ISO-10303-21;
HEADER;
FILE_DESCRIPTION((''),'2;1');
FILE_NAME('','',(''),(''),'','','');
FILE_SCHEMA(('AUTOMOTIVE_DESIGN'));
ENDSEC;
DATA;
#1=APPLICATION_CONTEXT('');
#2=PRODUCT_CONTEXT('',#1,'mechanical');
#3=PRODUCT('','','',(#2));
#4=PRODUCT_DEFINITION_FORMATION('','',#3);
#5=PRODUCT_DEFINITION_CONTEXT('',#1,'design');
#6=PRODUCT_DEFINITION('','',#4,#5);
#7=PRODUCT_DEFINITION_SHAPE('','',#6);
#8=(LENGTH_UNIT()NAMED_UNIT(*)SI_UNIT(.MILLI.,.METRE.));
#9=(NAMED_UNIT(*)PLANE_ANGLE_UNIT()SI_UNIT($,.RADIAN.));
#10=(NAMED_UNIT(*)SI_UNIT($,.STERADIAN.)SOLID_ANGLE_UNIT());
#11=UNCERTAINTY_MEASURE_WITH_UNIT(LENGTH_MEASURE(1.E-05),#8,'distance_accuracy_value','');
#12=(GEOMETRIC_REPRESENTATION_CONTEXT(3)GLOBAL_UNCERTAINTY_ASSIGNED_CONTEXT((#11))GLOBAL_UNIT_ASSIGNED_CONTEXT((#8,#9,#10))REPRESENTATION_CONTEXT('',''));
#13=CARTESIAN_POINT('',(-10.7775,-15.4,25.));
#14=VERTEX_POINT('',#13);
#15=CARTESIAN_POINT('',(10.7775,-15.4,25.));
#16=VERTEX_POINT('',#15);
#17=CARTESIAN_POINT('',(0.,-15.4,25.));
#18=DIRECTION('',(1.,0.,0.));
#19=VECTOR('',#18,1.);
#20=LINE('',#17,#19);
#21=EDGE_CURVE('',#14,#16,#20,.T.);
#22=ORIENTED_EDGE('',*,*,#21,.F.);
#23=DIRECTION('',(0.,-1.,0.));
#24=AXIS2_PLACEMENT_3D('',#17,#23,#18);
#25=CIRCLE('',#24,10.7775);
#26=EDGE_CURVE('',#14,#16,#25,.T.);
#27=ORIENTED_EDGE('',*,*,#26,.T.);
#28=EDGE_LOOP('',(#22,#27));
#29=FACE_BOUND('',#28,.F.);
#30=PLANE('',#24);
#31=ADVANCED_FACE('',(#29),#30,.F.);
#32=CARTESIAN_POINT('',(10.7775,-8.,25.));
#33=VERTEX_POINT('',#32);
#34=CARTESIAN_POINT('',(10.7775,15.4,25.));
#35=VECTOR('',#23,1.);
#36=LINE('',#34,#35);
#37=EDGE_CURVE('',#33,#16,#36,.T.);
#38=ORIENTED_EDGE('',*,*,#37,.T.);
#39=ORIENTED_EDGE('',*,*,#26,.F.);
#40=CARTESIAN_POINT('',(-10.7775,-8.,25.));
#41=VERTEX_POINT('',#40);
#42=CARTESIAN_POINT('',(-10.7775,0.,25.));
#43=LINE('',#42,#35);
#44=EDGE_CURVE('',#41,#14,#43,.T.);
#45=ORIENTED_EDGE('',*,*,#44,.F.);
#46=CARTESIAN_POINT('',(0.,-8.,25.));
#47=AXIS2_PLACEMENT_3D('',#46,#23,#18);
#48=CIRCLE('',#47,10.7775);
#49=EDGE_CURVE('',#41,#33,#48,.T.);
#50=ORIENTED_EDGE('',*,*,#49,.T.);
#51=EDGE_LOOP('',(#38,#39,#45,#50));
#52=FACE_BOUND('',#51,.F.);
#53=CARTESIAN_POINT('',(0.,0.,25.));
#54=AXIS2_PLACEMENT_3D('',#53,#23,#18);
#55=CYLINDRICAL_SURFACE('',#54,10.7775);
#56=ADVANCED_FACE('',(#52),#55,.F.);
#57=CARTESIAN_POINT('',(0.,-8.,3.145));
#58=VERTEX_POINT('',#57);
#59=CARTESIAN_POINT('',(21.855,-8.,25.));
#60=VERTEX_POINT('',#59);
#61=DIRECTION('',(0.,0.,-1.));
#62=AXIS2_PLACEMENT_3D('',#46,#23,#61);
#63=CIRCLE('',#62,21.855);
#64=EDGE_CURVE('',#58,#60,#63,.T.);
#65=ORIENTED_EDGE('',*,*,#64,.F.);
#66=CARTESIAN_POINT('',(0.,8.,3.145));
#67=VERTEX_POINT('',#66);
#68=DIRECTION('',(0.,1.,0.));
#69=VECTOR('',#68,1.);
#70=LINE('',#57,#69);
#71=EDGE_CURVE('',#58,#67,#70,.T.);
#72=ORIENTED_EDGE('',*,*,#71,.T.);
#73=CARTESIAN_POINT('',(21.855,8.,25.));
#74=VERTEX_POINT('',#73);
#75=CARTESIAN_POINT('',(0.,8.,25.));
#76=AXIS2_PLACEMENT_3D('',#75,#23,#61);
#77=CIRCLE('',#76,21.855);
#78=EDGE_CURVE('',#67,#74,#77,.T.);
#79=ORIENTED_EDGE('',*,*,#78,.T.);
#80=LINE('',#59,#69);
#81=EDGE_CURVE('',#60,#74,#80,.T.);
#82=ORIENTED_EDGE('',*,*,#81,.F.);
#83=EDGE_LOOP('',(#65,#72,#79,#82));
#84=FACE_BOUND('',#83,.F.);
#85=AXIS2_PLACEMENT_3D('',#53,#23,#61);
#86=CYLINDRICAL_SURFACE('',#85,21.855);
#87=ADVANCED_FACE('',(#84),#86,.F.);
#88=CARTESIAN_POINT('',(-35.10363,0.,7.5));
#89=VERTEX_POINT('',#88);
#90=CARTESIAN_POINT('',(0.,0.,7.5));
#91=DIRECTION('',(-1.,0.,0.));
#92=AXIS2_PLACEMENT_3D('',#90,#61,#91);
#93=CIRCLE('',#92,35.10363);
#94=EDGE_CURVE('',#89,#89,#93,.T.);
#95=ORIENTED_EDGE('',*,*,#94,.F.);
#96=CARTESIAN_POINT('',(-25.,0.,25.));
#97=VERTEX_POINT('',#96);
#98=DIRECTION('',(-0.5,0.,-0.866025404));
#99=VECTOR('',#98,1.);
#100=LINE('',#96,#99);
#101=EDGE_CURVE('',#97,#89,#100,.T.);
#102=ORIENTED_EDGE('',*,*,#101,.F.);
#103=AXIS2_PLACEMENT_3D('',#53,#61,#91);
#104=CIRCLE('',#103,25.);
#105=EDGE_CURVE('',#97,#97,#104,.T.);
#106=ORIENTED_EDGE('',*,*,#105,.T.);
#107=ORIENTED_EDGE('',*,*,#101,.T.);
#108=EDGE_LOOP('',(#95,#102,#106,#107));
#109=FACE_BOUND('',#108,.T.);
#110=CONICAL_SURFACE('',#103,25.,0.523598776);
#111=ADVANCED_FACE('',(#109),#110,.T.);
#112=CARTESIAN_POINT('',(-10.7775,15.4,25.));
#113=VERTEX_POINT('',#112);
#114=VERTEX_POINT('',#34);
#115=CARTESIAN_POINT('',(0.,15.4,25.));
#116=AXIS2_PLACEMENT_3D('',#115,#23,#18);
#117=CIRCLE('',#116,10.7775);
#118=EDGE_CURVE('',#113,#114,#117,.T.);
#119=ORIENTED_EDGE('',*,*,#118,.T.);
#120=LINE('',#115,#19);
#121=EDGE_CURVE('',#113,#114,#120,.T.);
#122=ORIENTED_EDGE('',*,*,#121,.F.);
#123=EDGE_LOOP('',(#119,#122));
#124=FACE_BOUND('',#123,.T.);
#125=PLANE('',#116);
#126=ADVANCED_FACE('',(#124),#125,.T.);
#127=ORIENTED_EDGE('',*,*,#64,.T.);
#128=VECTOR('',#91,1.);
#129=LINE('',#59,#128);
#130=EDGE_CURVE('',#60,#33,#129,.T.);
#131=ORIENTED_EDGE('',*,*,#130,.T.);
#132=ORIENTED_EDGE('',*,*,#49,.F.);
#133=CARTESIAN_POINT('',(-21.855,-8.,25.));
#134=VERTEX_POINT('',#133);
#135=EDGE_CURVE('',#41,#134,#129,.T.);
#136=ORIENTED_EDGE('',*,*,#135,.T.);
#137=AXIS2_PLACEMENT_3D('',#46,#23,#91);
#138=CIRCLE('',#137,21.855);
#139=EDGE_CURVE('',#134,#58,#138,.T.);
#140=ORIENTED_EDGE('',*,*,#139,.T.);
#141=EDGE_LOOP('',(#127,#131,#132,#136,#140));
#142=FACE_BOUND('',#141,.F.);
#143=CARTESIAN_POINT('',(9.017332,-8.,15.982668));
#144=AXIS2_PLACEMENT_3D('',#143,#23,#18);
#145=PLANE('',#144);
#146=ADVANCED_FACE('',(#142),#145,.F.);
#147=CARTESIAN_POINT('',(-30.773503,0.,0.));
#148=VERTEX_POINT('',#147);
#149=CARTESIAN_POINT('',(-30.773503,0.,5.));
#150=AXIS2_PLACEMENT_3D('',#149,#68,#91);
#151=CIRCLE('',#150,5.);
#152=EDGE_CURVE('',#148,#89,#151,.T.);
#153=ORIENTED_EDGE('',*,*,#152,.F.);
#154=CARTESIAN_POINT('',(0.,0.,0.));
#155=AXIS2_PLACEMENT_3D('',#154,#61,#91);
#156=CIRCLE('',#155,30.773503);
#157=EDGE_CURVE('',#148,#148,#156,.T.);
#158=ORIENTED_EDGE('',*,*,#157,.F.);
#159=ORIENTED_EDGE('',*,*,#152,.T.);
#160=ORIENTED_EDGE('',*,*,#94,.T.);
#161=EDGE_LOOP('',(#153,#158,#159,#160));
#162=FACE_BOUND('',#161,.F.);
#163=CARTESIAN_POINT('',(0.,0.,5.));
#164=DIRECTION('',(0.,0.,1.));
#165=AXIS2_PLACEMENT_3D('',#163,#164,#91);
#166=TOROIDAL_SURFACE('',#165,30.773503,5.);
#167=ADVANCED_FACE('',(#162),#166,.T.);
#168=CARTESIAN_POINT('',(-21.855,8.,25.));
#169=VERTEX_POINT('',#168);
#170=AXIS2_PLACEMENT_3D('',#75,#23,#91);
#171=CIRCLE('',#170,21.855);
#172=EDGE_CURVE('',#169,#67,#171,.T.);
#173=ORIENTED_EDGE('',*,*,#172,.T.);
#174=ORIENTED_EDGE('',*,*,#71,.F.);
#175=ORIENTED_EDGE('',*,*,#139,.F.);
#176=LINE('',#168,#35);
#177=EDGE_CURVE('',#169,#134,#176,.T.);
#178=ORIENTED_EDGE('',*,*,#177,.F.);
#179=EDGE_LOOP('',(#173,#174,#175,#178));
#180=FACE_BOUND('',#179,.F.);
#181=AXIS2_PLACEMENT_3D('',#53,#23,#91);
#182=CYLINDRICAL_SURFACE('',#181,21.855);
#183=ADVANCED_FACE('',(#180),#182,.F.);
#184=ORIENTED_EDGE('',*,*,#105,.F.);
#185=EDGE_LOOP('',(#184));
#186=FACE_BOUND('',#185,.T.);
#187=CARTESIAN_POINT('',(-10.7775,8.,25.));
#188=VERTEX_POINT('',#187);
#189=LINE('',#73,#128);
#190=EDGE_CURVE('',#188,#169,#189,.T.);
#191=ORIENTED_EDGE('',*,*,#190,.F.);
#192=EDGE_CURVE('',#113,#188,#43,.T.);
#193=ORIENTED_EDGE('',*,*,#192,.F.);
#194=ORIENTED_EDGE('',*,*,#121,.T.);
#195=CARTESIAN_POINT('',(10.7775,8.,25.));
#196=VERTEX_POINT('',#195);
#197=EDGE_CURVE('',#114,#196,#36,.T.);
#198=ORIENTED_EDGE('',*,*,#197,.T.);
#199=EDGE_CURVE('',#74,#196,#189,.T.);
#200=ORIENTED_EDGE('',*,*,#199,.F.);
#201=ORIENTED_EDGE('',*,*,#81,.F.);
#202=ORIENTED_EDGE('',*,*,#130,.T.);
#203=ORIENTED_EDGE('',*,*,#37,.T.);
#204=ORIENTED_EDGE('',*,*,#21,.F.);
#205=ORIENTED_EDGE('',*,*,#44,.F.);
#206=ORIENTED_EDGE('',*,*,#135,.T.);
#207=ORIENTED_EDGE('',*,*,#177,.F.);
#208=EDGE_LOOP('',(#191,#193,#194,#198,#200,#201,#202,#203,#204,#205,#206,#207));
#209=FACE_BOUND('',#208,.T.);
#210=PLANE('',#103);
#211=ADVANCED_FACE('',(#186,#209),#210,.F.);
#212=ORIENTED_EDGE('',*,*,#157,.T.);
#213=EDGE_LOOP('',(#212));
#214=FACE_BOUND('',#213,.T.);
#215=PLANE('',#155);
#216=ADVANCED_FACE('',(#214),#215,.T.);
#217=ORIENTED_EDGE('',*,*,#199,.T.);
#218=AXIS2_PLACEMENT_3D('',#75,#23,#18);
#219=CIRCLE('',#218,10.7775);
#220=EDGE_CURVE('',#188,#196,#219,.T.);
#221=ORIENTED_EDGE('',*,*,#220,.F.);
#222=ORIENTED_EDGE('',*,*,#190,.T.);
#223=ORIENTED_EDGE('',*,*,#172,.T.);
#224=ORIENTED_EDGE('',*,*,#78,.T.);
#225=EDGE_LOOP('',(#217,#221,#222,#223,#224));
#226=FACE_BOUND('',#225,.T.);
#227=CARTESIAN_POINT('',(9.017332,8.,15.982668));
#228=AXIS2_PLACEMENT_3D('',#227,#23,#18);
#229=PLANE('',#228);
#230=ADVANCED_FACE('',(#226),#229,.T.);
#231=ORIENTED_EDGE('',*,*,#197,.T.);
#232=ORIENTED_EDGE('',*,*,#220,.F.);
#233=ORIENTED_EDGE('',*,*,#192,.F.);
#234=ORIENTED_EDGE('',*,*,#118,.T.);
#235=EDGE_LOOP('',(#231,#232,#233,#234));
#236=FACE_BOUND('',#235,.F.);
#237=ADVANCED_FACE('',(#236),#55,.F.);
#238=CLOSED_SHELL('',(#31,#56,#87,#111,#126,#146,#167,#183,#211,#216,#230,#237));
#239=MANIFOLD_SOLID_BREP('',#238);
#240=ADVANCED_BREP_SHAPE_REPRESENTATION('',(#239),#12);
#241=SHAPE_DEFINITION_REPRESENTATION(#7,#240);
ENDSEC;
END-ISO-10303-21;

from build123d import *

# Parameters (mm, degrees)
F4_DEPTH = 8
F5_R     = 5
F6_R     = 10.7775
F7_DEPTH = 15.4


with BuildPart() as f2:
    # F1 (on Front) → F2 (revolve)
    with BuildSketch(Plane.XZ):
        Polygon((-39.4337567297, 0), (0, 0), (0, 25), (-25, 25), align=None)
    revolve(axis=Axis((0, 0, 12.5), (0, 0, -1)))

    # F3 (on Front) → F4 (cut, symmetric)
    with BuildSketch(Plane.XZ):
        with BuildLine():
            Line((21.855, 25), (0, 25))
            Line((0, 25), (0, 3.145))
            ThreePointArc((0, 3.145), (15.4538187028, 9.5461812972), (21.855, 25))
        make_face()
        with BuildLine():
            Line((0, 3.145), (0, 25))
            Line((0, 25), (-21.855, 25))
            ThreePointArc((-21.855, 25), (-15.4538187028, 9.5461812972), (0, 3.145))
        make_face()
    extrude(amount=F4_DEPTH, both=True, mode=Mode.SUBTRACT)

    # F5
    f5_edges = [f2.edges().sort_by_distance(p)[0] for p in [
        (39.433757, 0, 0),
    ]]
    fillet(f5_edges, radius=F5_R)

    # F6 (on Front) → F7 (cut, symmetric)
    with BuildSketch(Plane.XZ):
        with Locations((0, 25)):
            Circle(F6_R)
    extrude(amount=F7_DEPTH, both=True, mode=Mode.SUBTRACT)


solid = f2.part
